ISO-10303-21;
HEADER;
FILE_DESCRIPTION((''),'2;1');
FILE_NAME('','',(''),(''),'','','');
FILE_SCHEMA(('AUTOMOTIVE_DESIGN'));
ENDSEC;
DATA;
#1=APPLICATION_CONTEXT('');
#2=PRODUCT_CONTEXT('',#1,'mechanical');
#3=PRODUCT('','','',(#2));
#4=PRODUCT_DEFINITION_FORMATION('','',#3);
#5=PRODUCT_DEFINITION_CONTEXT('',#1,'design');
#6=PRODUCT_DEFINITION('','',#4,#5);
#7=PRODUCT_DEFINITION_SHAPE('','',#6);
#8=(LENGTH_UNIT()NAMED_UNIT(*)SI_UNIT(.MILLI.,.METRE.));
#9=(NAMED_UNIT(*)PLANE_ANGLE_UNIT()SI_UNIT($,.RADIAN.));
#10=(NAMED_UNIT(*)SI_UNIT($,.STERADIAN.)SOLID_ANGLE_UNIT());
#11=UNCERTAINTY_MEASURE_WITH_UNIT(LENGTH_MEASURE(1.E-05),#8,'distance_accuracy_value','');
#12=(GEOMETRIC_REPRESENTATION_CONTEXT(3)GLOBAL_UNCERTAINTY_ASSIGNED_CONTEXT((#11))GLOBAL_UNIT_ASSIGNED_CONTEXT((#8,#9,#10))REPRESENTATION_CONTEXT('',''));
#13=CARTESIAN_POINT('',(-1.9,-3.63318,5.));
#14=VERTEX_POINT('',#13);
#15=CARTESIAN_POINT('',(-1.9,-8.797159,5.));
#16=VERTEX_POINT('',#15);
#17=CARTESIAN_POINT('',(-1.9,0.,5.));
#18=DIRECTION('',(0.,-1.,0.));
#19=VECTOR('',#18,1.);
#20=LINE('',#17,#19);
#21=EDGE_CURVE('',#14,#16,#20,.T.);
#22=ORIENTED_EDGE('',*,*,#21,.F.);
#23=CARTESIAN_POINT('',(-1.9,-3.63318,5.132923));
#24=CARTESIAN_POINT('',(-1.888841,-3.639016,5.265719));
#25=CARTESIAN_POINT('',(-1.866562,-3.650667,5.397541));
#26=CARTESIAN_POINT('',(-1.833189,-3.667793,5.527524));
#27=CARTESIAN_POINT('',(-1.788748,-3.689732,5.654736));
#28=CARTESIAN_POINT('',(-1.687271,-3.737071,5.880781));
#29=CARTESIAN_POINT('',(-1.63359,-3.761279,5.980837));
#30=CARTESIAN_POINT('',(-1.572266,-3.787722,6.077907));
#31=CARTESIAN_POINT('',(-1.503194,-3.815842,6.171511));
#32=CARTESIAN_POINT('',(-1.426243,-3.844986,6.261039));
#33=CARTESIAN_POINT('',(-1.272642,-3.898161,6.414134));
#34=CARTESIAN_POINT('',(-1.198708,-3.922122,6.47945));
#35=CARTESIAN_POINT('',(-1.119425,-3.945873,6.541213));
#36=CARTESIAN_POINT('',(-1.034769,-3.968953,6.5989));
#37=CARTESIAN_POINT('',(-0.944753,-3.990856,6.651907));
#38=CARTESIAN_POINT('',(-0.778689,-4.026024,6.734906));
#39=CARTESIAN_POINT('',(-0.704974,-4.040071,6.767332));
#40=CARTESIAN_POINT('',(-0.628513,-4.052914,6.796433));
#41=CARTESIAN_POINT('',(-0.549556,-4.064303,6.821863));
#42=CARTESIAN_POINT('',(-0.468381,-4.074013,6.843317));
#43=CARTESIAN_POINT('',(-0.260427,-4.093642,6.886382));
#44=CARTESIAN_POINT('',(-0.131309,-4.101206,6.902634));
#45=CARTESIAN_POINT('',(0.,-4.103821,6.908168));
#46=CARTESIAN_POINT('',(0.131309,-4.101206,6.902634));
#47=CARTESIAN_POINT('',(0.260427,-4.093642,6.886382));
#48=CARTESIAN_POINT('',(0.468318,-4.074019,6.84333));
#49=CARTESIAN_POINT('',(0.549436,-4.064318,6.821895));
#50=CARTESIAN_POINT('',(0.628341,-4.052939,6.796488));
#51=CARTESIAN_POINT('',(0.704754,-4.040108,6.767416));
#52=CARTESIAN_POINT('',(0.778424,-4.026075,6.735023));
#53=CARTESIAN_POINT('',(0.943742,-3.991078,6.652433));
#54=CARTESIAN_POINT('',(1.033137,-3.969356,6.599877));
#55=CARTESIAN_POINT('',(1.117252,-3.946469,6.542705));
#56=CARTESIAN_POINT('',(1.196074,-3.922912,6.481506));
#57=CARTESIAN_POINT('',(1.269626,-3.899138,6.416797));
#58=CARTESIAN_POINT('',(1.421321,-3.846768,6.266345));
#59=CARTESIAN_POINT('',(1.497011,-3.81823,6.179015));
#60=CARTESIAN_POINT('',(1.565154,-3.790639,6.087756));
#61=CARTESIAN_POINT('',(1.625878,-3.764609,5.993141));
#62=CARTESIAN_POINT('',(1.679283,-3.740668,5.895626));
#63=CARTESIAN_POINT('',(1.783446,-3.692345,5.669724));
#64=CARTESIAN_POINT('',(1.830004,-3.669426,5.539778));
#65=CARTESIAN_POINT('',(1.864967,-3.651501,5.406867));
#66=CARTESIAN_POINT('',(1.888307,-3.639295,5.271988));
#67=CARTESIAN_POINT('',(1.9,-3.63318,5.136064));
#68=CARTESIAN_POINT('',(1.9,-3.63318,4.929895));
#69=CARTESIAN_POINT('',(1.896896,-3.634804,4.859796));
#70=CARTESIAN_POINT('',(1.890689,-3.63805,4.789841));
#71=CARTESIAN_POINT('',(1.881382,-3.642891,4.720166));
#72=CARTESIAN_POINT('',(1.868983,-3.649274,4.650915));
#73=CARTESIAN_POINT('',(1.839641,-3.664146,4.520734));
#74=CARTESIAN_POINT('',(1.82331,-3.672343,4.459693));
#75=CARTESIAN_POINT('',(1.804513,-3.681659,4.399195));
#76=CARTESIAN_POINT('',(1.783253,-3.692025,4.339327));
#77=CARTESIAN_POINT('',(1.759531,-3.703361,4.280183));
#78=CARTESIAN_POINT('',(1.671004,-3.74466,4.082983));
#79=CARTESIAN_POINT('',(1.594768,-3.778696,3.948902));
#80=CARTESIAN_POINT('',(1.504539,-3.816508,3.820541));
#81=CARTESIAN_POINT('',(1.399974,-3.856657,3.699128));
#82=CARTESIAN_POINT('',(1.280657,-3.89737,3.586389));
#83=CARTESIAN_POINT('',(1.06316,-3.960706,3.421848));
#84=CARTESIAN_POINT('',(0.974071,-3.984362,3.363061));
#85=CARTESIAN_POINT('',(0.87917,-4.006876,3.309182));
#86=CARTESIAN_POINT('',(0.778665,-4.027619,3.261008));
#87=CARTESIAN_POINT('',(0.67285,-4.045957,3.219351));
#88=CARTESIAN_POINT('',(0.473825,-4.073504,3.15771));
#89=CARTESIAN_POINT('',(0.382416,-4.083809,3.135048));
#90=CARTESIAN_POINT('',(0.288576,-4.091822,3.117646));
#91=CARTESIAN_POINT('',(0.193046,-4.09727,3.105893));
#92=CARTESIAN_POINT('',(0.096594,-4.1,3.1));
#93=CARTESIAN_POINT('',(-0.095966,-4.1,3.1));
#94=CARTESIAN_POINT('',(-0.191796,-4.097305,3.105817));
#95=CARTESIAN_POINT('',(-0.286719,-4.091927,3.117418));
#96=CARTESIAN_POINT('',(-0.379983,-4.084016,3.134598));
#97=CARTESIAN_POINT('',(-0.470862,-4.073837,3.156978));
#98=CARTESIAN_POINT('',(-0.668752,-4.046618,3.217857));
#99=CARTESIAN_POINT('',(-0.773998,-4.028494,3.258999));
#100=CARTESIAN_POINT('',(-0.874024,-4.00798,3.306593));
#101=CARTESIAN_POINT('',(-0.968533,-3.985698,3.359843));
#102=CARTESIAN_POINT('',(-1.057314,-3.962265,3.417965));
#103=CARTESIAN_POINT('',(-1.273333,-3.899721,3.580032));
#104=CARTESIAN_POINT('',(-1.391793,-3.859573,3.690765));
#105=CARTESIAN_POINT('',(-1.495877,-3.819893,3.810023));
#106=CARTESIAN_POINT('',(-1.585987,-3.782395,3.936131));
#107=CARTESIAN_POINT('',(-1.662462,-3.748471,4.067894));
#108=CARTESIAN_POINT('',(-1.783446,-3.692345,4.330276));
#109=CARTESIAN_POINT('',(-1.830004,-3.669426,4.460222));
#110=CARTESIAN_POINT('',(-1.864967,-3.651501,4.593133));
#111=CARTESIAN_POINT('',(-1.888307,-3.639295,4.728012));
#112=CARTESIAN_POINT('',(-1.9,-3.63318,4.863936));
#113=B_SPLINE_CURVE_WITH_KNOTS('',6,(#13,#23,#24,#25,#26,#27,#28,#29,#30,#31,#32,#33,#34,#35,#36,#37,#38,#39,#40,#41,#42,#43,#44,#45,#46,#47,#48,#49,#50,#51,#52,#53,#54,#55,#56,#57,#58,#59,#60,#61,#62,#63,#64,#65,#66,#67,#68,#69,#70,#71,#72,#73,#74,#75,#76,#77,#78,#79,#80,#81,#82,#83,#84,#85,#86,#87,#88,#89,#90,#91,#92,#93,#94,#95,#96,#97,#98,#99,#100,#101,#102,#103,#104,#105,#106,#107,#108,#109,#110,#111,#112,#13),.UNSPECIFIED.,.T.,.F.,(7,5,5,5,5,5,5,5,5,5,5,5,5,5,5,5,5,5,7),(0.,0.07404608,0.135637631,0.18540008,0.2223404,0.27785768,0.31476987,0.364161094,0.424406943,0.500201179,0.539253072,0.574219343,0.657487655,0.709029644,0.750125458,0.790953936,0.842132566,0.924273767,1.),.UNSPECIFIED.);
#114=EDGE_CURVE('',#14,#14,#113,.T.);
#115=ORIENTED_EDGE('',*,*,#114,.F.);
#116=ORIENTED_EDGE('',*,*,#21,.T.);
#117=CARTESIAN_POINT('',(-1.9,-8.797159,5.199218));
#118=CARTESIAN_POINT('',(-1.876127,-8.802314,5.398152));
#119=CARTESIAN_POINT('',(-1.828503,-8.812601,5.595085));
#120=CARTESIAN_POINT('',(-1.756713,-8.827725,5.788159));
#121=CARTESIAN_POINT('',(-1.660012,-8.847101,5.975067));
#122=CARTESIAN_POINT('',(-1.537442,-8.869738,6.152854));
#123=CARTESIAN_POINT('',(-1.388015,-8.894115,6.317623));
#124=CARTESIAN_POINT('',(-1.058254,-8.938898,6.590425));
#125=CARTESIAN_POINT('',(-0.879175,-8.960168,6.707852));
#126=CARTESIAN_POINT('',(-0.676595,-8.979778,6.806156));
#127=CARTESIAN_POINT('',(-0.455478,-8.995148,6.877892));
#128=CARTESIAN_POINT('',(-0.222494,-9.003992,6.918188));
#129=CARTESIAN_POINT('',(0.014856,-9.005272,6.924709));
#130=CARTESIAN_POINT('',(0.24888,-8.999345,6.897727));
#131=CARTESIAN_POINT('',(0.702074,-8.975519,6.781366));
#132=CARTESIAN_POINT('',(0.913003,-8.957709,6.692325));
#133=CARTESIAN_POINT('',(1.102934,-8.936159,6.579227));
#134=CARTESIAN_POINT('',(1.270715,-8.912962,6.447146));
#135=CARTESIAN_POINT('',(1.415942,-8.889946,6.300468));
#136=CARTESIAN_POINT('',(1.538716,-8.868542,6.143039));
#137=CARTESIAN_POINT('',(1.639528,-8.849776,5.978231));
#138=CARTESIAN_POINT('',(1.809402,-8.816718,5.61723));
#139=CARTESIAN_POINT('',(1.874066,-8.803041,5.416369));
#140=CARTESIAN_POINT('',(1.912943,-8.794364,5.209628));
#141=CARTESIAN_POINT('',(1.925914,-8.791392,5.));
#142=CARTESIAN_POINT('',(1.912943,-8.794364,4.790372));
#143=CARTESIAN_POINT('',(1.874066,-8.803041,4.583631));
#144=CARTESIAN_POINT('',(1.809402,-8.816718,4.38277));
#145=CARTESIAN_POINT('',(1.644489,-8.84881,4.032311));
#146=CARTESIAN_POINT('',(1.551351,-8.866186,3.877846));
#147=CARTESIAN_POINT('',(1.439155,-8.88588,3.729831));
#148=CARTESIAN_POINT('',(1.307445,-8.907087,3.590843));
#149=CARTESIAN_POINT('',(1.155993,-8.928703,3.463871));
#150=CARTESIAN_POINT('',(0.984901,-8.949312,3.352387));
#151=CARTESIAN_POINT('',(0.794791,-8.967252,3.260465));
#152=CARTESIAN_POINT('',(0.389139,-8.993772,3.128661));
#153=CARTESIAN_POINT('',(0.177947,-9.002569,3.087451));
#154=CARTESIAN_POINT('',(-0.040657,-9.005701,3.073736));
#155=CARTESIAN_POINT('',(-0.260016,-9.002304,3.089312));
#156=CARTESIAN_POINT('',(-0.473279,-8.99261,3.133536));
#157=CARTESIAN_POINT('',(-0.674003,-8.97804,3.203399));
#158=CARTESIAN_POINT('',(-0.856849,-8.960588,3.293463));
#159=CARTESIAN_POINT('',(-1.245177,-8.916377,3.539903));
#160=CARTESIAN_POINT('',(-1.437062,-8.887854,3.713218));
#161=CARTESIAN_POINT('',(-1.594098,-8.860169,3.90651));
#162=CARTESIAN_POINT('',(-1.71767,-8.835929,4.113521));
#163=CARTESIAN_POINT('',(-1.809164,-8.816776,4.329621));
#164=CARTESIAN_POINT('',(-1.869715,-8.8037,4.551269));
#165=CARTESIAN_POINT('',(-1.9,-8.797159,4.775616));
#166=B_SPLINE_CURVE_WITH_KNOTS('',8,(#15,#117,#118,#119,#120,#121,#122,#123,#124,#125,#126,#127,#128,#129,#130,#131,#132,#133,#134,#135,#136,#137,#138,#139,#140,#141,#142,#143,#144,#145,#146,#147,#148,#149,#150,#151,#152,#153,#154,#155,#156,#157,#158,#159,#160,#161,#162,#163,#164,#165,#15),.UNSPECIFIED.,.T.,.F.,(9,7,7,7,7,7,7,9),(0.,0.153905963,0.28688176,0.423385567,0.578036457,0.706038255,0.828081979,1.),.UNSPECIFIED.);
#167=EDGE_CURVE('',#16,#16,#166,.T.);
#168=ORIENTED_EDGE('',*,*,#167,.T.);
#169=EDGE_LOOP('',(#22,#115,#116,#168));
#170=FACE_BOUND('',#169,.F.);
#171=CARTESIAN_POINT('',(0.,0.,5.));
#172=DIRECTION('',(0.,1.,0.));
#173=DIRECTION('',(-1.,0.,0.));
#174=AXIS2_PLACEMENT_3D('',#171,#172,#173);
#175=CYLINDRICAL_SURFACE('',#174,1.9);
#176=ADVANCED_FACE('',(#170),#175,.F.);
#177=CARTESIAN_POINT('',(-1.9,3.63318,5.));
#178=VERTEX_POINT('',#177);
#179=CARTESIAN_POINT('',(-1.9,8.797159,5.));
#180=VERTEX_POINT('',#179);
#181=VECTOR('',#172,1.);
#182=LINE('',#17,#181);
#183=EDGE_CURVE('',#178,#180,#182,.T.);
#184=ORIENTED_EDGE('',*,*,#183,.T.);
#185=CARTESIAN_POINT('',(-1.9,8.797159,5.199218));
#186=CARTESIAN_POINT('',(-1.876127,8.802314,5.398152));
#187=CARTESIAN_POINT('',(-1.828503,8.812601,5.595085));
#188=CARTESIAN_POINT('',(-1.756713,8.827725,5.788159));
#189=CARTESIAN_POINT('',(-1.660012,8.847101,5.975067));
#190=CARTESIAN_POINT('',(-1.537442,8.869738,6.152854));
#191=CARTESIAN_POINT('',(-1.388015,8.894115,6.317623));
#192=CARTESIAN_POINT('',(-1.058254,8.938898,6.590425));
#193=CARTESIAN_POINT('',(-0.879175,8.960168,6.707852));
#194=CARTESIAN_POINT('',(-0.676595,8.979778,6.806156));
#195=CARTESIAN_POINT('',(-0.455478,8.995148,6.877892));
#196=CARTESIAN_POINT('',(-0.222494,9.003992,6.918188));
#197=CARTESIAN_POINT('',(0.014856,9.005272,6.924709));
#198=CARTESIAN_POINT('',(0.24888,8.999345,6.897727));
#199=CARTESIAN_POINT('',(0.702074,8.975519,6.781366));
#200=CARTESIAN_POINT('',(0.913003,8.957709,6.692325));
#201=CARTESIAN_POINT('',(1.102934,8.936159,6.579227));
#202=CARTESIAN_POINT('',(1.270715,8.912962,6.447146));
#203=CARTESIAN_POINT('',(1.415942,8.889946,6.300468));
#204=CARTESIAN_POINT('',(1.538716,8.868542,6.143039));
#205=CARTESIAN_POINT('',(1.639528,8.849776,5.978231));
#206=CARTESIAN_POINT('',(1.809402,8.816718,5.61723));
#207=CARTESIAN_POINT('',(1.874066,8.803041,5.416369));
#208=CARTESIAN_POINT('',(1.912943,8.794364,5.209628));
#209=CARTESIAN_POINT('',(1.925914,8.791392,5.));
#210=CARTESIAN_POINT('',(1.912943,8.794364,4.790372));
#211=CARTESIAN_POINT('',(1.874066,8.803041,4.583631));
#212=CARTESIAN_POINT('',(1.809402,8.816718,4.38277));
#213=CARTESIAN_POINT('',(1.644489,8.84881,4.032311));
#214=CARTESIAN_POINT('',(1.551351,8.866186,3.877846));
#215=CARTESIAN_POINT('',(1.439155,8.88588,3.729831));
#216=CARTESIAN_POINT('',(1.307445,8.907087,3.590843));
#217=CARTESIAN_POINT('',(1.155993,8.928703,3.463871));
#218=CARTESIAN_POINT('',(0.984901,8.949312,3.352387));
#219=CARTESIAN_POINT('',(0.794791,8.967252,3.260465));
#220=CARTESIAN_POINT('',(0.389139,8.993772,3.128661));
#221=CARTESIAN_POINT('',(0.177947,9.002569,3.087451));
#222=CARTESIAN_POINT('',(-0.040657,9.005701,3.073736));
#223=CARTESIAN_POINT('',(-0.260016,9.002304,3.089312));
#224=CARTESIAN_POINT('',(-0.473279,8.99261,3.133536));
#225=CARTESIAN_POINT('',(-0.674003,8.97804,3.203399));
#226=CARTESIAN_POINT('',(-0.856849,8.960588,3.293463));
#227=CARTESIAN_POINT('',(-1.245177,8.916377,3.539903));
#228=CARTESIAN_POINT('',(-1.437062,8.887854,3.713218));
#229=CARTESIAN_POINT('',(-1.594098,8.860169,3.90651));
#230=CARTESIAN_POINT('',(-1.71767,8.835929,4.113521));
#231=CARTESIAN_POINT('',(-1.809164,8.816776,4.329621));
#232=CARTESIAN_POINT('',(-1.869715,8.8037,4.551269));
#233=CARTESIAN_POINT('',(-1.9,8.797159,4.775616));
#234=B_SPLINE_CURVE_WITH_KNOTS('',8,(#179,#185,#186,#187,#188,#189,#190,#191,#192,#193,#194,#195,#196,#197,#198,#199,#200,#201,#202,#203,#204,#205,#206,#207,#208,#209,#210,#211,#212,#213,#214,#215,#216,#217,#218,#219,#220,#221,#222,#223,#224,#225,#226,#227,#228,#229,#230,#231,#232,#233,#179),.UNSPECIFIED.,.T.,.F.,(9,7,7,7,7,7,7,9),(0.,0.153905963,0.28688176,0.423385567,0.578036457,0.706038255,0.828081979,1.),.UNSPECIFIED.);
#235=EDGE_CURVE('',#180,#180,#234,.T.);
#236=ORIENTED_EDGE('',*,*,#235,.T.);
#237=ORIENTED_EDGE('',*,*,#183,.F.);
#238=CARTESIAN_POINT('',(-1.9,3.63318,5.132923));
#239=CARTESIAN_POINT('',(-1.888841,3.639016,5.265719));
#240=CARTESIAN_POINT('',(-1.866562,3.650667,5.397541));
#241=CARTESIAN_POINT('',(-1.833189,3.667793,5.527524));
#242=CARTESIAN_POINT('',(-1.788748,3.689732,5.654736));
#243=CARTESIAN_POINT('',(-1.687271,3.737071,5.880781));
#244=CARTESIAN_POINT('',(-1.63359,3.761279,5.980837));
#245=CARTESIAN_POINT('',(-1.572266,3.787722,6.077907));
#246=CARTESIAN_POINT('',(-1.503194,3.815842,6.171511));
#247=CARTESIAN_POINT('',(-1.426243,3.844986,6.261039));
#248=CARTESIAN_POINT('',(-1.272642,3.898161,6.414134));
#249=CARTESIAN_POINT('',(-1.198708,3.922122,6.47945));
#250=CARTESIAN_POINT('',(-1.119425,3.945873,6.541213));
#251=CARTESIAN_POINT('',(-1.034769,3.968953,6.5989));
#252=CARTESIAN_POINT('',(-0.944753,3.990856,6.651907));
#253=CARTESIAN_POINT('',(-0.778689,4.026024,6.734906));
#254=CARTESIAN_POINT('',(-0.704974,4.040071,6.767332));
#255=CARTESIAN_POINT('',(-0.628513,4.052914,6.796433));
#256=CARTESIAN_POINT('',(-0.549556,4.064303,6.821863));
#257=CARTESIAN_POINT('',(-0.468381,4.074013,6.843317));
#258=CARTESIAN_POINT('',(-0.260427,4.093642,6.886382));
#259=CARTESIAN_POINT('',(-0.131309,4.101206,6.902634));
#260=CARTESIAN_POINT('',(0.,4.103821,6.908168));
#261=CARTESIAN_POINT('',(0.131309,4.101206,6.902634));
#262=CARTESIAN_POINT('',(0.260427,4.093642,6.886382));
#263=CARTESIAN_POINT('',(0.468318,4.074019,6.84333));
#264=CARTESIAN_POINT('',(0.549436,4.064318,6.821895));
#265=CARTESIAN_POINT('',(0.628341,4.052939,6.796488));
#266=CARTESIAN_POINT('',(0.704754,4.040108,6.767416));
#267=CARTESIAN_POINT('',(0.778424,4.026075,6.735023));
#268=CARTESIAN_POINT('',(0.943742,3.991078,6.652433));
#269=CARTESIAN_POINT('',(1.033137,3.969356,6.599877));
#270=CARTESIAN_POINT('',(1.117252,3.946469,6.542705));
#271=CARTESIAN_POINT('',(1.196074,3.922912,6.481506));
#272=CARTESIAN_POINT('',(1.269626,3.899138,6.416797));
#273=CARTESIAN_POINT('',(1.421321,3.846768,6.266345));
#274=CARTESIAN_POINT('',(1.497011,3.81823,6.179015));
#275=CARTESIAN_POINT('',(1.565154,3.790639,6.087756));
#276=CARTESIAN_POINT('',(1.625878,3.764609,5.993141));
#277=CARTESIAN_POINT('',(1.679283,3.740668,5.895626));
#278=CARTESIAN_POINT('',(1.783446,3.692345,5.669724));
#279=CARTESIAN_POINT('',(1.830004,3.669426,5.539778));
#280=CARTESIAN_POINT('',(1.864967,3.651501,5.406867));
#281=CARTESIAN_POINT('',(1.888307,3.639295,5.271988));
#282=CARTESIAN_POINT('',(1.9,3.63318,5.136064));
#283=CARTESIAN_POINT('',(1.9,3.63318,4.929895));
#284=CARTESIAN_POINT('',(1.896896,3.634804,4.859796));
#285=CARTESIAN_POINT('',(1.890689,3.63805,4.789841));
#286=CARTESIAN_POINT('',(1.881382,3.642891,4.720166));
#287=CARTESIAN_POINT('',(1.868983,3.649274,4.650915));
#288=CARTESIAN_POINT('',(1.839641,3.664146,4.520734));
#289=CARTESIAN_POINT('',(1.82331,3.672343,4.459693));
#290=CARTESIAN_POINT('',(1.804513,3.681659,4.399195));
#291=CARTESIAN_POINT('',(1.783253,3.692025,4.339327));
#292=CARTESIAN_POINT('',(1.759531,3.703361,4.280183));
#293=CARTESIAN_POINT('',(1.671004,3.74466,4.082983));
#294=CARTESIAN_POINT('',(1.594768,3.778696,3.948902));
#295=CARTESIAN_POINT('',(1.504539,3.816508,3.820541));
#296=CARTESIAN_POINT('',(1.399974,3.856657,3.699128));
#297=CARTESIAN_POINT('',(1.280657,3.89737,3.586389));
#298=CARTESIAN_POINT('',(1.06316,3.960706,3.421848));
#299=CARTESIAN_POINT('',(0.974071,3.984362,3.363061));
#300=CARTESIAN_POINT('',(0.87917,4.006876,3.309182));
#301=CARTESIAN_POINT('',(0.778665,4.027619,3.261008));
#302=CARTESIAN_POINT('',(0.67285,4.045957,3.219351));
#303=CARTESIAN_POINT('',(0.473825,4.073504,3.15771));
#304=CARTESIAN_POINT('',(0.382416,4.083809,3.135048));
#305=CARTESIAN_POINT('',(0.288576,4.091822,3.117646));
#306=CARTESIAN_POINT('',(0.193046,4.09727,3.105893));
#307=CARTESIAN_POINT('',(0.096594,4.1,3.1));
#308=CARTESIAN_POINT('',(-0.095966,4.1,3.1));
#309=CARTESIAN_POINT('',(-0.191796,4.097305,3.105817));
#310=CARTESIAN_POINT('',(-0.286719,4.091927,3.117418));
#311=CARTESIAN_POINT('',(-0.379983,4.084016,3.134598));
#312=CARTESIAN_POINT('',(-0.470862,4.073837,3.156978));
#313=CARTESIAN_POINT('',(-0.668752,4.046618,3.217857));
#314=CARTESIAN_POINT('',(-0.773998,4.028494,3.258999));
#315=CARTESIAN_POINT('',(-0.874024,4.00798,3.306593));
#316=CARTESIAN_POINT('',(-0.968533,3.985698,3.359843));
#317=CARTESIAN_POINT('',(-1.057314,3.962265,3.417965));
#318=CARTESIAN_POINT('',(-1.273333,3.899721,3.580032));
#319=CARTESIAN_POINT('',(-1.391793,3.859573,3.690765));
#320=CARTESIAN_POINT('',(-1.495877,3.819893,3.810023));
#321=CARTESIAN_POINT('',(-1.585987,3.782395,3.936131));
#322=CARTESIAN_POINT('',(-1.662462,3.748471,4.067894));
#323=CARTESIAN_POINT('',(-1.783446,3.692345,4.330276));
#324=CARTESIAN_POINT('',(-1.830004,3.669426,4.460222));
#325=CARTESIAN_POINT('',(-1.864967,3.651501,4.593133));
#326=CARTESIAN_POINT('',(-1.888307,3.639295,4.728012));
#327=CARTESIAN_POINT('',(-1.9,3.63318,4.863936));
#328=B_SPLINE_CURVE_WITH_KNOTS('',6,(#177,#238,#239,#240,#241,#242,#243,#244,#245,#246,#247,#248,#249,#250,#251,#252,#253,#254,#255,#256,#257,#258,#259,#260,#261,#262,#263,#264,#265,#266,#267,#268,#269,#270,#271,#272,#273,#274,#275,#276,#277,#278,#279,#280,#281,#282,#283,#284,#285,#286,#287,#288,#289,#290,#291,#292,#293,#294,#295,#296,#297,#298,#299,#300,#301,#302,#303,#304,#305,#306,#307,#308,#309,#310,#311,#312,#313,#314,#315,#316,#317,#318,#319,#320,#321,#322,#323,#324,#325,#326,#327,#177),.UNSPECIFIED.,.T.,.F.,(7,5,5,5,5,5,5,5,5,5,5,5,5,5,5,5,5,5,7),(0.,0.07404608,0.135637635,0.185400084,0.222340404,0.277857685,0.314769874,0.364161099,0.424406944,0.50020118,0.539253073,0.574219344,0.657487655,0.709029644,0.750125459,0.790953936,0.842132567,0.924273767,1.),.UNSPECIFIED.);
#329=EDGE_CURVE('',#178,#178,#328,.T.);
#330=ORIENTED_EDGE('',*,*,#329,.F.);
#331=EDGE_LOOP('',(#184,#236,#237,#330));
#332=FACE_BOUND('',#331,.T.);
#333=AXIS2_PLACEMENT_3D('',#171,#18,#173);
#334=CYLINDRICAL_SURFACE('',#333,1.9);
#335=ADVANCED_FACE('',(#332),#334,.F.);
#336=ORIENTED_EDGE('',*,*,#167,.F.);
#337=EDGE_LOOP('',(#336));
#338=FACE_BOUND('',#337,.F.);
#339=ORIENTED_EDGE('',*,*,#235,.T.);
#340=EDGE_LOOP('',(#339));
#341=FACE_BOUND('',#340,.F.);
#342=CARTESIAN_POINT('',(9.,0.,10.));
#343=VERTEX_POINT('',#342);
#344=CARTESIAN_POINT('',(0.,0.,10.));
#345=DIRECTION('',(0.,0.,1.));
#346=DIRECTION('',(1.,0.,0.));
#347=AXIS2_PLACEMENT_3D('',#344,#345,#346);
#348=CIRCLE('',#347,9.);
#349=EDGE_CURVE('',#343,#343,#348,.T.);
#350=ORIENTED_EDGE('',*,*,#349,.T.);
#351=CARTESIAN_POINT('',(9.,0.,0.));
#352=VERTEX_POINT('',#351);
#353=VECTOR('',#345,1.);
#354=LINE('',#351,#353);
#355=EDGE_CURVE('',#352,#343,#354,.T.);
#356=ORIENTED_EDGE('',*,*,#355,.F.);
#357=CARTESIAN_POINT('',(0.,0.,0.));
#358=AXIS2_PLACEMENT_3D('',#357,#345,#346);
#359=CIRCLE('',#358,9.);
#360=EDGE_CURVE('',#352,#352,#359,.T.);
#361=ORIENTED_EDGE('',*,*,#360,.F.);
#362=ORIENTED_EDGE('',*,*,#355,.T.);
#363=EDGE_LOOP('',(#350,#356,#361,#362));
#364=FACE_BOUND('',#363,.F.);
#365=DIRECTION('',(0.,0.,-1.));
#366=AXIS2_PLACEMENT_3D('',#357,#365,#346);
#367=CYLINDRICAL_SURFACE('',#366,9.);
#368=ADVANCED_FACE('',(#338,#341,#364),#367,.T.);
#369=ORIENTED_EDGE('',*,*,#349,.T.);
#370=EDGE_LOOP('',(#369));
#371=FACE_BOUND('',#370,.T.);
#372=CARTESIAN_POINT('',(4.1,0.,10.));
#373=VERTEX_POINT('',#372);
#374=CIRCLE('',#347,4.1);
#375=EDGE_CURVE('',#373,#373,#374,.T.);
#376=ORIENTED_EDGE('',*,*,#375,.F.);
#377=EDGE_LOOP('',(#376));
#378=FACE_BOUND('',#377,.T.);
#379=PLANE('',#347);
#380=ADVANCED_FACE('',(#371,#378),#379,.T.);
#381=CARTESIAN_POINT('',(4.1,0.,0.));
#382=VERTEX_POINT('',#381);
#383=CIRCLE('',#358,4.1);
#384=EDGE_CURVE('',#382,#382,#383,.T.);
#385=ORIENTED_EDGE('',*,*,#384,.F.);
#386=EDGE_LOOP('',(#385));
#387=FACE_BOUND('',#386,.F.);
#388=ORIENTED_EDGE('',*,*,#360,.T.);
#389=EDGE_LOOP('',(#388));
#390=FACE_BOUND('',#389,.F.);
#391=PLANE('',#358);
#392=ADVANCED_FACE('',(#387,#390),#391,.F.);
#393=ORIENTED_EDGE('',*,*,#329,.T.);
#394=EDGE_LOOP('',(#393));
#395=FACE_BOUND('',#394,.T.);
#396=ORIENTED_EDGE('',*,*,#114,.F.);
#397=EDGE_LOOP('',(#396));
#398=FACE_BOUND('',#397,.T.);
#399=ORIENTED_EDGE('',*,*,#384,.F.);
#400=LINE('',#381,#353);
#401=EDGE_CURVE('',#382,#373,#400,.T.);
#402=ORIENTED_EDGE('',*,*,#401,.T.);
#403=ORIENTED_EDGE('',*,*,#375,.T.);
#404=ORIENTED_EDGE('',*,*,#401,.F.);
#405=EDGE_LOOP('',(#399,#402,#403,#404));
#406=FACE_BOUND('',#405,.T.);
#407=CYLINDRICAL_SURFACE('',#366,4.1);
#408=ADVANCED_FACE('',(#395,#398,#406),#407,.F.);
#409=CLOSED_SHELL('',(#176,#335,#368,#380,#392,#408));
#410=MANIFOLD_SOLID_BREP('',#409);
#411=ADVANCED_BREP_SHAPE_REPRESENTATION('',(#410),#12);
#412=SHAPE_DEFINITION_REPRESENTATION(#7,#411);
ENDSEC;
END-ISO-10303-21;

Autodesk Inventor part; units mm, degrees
ref_plane "YZ Plane" through (0, 0, 0) normal (1, 0, 0) x (0, 1, 0)
ref_plane "XZ Plane" through (0, 0, 0) normal (0, 1, 0) x (-1, 0, 0)
ref_plane "XY Plane" through (0, 0, 0) normal (0, 0, 1) x (1, 0, 0)
sketch "Sketch1" plane through (0, 0, 0) normal (0, 0, 1) x (1, 0, 0)
  circle A0 centre (0, 0) radius 4.1
  circle A1 centre (0, 0) radius 9
  dimension "d0" = 8.2
  dimension "d1" = 18
extrude "Extrusion1" add sketch "Sketch1" along normal blind 10
sketch "Sketch2" plane through (0, 0, 0) normal (0, 1, 0) x (-1, 0, 0)
  circle A0 centre (0, 5) radius 1.9
  point P0 (0, 0)
  dimension "d4" = 3.8
extrude "Extrusion2" cut sketch "Sketch2" along normal blind 11 and the other way blind 11
properties part number "blokada osi"
